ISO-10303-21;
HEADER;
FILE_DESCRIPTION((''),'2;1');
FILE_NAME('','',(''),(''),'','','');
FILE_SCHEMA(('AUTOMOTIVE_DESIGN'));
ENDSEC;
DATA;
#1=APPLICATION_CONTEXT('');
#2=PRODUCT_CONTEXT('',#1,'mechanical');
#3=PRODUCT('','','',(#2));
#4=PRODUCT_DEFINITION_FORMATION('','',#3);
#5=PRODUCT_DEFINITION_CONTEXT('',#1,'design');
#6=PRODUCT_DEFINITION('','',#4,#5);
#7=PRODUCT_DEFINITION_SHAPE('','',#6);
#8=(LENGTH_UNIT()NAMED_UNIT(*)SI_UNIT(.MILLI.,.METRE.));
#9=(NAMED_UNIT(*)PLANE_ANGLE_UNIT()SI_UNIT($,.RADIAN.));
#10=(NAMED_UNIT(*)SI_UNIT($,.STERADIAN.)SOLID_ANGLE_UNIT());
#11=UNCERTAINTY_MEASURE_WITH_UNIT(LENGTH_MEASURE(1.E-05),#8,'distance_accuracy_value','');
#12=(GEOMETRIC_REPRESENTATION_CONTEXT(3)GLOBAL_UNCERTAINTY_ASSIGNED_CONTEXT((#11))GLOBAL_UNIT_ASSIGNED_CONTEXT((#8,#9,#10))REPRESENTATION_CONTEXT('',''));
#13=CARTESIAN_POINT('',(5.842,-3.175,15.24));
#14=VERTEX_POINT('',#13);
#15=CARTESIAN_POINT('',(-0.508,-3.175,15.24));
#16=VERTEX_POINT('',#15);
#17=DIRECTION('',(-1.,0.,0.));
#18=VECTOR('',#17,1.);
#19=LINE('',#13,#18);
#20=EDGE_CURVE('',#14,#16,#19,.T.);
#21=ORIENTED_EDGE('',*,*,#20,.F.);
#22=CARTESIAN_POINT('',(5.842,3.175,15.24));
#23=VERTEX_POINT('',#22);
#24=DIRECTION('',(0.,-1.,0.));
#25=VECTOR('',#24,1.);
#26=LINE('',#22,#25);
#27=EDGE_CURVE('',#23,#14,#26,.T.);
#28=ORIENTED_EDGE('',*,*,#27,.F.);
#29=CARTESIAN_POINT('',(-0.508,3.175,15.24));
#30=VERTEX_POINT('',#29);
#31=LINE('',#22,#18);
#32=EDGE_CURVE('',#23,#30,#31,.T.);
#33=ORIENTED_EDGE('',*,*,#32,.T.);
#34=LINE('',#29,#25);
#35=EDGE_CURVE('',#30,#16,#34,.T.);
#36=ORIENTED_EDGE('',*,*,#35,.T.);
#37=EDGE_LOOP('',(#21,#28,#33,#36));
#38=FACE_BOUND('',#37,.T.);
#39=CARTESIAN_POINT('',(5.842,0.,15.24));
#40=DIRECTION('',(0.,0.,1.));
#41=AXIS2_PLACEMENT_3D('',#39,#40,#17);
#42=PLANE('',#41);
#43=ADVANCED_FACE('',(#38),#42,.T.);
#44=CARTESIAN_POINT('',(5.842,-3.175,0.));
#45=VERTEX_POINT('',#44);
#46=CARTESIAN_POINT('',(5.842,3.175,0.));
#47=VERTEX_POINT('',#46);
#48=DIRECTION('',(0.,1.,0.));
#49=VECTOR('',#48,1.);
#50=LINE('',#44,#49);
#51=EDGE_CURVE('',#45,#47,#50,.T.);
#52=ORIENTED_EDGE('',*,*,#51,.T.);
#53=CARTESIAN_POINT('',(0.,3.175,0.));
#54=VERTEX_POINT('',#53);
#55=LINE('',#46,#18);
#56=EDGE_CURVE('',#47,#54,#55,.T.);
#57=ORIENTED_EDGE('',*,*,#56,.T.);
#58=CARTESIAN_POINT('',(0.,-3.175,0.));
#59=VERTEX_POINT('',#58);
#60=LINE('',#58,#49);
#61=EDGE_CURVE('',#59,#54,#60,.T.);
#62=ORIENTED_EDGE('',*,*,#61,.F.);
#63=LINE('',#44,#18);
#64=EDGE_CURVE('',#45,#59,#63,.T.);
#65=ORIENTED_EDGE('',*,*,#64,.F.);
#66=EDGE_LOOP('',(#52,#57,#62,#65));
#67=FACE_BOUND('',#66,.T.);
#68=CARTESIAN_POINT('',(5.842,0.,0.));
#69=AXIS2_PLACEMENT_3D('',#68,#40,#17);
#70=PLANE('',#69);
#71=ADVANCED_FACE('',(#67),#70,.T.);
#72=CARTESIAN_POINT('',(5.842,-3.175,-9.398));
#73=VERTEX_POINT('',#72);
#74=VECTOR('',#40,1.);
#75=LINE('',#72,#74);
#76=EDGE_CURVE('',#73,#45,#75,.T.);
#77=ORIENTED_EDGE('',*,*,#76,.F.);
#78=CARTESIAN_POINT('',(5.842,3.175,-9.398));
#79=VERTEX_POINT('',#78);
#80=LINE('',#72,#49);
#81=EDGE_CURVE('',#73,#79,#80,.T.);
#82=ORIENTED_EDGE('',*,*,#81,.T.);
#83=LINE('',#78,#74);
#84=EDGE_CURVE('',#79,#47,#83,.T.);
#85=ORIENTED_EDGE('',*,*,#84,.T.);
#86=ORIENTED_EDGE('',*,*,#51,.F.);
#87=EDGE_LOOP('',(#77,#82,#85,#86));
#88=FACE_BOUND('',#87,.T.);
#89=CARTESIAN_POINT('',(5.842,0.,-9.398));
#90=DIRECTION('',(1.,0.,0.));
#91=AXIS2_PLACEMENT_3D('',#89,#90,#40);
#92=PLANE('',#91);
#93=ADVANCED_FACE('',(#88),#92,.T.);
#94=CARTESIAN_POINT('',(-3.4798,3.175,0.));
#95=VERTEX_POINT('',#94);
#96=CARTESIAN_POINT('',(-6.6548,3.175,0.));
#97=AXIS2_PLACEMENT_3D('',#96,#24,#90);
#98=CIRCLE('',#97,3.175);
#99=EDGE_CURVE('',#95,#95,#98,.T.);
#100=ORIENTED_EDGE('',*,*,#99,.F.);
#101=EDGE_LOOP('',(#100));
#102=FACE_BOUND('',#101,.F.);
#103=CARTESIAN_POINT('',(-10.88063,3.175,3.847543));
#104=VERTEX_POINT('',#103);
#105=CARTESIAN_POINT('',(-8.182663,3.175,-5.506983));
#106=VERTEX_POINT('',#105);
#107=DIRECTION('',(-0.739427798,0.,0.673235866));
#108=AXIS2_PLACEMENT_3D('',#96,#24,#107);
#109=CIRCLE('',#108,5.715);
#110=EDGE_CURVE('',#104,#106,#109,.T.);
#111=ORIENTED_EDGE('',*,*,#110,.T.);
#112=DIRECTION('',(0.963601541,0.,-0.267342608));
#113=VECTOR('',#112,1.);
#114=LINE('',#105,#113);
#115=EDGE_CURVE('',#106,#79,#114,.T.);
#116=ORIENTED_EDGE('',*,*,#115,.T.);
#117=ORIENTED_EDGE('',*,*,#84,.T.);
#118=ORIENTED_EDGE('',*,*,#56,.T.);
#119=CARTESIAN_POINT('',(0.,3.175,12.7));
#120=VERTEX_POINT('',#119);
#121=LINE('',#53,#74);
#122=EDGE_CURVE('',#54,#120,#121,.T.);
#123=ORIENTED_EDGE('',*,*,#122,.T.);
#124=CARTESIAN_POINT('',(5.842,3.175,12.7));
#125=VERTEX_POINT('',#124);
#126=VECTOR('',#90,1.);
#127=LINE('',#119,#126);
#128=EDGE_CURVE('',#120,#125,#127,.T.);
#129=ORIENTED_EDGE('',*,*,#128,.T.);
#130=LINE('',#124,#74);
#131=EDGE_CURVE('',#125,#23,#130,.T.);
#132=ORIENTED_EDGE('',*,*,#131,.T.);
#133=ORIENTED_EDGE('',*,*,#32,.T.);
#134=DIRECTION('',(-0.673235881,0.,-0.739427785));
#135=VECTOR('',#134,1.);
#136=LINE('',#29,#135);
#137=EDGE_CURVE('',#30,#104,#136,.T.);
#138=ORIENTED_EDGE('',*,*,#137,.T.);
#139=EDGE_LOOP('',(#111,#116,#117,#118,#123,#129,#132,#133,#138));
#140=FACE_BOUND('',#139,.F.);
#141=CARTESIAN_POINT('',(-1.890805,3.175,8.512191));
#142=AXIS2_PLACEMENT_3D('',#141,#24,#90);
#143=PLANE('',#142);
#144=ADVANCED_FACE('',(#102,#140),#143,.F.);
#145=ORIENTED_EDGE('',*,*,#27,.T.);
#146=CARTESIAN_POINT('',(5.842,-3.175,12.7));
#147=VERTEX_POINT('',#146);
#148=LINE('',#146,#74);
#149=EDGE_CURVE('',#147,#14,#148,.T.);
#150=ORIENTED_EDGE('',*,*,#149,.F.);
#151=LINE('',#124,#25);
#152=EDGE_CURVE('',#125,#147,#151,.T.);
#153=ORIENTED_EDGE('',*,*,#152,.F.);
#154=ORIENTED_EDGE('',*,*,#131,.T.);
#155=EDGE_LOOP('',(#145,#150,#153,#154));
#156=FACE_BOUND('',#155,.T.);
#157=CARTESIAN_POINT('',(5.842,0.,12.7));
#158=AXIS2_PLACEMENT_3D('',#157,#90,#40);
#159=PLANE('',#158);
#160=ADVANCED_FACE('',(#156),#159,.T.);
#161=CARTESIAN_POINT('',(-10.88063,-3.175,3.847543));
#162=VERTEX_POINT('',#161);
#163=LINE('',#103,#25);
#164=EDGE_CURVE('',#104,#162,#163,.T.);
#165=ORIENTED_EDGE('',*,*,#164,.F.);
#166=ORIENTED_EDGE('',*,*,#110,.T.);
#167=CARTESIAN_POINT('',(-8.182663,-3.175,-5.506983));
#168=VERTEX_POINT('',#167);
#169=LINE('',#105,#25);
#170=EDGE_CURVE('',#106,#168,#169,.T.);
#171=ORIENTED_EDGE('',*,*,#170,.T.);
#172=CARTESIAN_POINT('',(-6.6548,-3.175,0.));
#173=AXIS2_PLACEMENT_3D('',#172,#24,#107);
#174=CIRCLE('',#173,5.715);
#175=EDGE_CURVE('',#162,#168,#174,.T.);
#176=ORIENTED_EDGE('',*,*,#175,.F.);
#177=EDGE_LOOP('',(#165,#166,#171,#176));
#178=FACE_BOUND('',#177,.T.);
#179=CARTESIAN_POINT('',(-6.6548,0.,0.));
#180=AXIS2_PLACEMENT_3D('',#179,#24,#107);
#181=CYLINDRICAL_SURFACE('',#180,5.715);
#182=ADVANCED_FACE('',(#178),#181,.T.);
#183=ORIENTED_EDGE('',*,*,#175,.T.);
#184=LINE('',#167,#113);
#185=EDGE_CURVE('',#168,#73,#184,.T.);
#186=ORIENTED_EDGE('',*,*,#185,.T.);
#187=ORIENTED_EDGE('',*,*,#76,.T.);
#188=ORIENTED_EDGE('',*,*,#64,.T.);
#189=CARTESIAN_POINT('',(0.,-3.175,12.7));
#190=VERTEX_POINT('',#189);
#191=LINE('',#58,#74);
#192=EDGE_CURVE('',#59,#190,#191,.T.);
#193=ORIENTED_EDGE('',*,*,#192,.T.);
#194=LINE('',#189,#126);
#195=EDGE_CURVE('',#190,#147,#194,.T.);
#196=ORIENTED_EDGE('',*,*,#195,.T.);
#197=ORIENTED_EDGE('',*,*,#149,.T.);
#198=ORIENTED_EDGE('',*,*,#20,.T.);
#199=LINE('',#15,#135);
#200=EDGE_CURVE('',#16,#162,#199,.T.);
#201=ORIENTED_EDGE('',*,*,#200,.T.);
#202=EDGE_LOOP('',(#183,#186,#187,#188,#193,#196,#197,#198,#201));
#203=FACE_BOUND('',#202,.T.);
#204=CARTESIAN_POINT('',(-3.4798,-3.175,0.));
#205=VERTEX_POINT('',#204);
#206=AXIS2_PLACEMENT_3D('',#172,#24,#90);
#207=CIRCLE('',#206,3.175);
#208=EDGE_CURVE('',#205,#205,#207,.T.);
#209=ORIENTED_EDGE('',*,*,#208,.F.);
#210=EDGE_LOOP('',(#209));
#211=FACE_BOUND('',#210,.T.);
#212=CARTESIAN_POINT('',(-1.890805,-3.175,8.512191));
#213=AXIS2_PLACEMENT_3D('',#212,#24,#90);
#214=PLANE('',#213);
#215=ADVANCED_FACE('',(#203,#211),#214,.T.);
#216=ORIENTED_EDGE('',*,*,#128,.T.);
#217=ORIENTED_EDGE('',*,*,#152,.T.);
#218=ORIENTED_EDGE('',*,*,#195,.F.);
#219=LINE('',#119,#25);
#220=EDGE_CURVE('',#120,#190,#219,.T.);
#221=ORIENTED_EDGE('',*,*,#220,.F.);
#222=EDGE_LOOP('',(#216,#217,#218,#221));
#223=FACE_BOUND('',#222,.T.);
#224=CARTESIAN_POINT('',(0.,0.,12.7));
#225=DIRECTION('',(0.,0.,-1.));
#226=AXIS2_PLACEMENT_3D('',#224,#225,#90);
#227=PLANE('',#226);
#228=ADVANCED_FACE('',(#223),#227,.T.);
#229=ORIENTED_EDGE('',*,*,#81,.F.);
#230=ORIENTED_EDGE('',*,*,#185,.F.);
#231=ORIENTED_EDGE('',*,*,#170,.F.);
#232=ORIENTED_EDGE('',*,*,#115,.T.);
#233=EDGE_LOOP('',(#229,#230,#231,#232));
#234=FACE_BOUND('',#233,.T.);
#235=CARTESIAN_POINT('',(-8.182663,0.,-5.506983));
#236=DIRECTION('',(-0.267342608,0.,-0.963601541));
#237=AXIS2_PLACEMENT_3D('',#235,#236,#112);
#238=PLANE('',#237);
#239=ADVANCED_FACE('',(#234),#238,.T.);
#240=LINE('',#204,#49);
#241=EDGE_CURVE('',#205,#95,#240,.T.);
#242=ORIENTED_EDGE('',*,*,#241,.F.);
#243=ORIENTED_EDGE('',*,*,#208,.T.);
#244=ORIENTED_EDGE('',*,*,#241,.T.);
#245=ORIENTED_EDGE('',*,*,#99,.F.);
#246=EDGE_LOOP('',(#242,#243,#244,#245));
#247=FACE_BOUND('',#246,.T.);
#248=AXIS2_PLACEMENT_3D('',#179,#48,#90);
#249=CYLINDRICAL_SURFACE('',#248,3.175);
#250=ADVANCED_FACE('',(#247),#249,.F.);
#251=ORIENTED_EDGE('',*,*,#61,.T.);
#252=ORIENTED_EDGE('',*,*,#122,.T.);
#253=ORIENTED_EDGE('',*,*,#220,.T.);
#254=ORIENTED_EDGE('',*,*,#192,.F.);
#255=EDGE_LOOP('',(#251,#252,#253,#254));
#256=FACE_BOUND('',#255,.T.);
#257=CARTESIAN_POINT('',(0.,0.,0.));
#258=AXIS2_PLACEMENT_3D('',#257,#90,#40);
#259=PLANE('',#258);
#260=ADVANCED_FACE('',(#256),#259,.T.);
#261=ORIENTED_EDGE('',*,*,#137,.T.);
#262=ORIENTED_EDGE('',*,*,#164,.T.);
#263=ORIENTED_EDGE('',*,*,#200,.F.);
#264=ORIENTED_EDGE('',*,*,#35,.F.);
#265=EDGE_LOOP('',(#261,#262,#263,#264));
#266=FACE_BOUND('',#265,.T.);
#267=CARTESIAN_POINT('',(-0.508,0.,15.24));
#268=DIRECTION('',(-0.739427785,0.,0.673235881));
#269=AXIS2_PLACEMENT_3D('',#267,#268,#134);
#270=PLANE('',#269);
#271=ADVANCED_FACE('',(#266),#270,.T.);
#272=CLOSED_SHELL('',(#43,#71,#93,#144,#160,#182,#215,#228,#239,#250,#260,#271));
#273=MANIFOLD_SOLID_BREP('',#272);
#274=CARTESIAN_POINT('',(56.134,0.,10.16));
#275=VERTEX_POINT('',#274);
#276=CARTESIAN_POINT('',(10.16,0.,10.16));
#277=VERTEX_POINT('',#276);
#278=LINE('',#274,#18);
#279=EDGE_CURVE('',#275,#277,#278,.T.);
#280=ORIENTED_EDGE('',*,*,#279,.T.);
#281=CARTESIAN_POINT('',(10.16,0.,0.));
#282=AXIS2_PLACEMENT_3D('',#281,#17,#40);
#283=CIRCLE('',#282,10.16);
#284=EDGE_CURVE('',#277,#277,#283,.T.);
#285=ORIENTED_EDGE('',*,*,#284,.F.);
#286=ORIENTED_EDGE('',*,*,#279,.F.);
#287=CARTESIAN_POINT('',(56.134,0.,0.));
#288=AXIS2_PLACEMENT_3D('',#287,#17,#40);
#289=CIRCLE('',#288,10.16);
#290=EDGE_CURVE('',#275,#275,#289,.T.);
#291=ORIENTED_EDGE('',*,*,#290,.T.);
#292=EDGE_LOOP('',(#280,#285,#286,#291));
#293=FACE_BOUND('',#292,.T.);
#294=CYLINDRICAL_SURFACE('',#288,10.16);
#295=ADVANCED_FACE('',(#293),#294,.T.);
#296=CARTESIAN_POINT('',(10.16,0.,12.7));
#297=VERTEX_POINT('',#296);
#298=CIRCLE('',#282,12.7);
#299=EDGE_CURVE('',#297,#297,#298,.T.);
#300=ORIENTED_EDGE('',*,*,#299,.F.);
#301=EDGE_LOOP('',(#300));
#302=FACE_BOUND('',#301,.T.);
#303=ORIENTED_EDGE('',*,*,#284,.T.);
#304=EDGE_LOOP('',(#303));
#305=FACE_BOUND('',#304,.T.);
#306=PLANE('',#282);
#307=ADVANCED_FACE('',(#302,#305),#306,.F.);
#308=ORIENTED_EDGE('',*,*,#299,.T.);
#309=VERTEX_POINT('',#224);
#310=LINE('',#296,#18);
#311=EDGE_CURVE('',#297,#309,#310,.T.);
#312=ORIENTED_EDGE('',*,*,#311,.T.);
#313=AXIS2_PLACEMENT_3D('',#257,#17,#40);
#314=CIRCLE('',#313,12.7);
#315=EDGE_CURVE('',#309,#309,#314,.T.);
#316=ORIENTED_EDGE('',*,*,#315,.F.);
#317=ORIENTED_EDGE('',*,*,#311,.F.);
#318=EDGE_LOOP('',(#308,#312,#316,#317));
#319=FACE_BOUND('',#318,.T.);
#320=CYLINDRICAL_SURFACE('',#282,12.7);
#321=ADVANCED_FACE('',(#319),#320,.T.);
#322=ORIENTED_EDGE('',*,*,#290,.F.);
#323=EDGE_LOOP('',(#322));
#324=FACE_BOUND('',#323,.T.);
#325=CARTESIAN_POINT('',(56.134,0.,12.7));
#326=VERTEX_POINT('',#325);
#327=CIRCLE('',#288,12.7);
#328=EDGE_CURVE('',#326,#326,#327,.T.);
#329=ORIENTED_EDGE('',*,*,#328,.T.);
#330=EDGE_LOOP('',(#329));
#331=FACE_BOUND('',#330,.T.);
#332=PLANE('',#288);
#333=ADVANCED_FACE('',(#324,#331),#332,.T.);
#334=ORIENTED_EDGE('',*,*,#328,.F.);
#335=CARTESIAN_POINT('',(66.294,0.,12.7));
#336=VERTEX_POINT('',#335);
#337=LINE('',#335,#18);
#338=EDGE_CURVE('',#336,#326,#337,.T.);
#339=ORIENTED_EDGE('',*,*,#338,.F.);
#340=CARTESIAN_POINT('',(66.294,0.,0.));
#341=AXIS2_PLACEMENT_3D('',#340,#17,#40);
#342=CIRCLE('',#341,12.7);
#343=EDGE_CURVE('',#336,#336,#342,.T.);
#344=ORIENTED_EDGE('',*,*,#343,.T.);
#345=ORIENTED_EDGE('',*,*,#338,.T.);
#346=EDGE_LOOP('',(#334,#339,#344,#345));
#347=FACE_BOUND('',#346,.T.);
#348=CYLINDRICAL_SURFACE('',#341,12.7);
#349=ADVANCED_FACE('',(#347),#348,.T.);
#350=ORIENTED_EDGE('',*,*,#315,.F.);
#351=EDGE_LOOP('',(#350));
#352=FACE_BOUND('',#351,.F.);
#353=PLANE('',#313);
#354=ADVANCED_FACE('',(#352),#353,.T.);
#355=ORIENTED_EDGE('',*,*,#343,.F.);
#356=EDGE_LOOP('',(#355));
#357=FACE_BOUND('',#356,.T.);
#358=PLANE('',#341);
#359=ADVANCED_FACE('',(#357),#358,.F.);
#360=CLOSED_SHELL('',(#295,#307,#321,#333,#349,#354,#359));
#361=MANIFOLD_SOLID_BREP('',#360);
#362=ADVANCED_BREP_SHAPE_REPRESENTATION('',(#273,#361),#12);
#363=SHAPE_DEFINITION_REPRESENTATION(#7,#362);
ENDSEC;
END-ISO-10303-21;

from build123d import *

# Parameters (mm, degrees)
F0_R     = 3.175
F1_DEPTH = 3.175
F0_W     = 5.842
F0_H     = 12.7


with BuildPart() as f1:
    # F0 (on Front) → F1 (new body, symmetric)
    with BuildSketch(Plane.XZ):
        with BuildLine():
            Line((-0.9398, 0), (0, 0))
            Line((0, 0), (0, 12.7))
            Line((0, 12.7), (5.842, 12.7))
            Line((5.842, 12.7), (5.842, 15.24))
            Line((5.842, 15.24), (-0.508, 15.24))
            Line((-0.508, 15.24), (-10.88063, 3.847543))
            ThreePointArc((-10.88063, 3.847543), (-4.591961, 5.329721), (-0.9398, 0))
        make_face()
        with BuildLine():
            ThreePointArc((-8.182663, -5.506983), (-3.195791, -4.549339), (-0.9398, 0))
            ThreePointArc((-0.9398, 0), (-4.591961, 5.329721), (-10.88063, 3.847543))
            ThreePointArc((-10.88063, 3.847543), (-12.145978, -1.583727), (-8.182663, -5.506983))
        make_face()
        with Locations((-6.6548, 0)):
            Circle(F0_R, mode=Mode.SUBTRACT)
        with BuildLine():
            Line((5.842, 0), (0, 0))
            Line((0, 0), (-0.9398, 0))
            ThreePointArc((-0.9398, 0), (-3.195791, -4.549339), (-8.182663, -5.506983))
            Line((-8.182663, -5.506983), (5.842, -9.398))
            Line((5.842, -9.398), (5.842, 0))
        make_face()
    extrude(amount=F1_DEPTH, both=True)


with BuildPart() as f2:
    # F0 (on Front) → F2 (revolve)
    with BuildSketch(Plane.XZ):
        Polygon((5.842, 12.7), (5.842, 0), (66.294, 0), (66.294, 12.7), (56.134, 12.7), (56.134, 10.16), (10.16, 10.16), (10.16, 12.7), align=None)
        with Locations((2.921, 6.35)):
            Rectangle(F0_W, F0_H)
    revolve(axis=Axis((33.147, 0, 0), (-1, 0, 0)))


solid = Compound([f1.part, f2.part])
